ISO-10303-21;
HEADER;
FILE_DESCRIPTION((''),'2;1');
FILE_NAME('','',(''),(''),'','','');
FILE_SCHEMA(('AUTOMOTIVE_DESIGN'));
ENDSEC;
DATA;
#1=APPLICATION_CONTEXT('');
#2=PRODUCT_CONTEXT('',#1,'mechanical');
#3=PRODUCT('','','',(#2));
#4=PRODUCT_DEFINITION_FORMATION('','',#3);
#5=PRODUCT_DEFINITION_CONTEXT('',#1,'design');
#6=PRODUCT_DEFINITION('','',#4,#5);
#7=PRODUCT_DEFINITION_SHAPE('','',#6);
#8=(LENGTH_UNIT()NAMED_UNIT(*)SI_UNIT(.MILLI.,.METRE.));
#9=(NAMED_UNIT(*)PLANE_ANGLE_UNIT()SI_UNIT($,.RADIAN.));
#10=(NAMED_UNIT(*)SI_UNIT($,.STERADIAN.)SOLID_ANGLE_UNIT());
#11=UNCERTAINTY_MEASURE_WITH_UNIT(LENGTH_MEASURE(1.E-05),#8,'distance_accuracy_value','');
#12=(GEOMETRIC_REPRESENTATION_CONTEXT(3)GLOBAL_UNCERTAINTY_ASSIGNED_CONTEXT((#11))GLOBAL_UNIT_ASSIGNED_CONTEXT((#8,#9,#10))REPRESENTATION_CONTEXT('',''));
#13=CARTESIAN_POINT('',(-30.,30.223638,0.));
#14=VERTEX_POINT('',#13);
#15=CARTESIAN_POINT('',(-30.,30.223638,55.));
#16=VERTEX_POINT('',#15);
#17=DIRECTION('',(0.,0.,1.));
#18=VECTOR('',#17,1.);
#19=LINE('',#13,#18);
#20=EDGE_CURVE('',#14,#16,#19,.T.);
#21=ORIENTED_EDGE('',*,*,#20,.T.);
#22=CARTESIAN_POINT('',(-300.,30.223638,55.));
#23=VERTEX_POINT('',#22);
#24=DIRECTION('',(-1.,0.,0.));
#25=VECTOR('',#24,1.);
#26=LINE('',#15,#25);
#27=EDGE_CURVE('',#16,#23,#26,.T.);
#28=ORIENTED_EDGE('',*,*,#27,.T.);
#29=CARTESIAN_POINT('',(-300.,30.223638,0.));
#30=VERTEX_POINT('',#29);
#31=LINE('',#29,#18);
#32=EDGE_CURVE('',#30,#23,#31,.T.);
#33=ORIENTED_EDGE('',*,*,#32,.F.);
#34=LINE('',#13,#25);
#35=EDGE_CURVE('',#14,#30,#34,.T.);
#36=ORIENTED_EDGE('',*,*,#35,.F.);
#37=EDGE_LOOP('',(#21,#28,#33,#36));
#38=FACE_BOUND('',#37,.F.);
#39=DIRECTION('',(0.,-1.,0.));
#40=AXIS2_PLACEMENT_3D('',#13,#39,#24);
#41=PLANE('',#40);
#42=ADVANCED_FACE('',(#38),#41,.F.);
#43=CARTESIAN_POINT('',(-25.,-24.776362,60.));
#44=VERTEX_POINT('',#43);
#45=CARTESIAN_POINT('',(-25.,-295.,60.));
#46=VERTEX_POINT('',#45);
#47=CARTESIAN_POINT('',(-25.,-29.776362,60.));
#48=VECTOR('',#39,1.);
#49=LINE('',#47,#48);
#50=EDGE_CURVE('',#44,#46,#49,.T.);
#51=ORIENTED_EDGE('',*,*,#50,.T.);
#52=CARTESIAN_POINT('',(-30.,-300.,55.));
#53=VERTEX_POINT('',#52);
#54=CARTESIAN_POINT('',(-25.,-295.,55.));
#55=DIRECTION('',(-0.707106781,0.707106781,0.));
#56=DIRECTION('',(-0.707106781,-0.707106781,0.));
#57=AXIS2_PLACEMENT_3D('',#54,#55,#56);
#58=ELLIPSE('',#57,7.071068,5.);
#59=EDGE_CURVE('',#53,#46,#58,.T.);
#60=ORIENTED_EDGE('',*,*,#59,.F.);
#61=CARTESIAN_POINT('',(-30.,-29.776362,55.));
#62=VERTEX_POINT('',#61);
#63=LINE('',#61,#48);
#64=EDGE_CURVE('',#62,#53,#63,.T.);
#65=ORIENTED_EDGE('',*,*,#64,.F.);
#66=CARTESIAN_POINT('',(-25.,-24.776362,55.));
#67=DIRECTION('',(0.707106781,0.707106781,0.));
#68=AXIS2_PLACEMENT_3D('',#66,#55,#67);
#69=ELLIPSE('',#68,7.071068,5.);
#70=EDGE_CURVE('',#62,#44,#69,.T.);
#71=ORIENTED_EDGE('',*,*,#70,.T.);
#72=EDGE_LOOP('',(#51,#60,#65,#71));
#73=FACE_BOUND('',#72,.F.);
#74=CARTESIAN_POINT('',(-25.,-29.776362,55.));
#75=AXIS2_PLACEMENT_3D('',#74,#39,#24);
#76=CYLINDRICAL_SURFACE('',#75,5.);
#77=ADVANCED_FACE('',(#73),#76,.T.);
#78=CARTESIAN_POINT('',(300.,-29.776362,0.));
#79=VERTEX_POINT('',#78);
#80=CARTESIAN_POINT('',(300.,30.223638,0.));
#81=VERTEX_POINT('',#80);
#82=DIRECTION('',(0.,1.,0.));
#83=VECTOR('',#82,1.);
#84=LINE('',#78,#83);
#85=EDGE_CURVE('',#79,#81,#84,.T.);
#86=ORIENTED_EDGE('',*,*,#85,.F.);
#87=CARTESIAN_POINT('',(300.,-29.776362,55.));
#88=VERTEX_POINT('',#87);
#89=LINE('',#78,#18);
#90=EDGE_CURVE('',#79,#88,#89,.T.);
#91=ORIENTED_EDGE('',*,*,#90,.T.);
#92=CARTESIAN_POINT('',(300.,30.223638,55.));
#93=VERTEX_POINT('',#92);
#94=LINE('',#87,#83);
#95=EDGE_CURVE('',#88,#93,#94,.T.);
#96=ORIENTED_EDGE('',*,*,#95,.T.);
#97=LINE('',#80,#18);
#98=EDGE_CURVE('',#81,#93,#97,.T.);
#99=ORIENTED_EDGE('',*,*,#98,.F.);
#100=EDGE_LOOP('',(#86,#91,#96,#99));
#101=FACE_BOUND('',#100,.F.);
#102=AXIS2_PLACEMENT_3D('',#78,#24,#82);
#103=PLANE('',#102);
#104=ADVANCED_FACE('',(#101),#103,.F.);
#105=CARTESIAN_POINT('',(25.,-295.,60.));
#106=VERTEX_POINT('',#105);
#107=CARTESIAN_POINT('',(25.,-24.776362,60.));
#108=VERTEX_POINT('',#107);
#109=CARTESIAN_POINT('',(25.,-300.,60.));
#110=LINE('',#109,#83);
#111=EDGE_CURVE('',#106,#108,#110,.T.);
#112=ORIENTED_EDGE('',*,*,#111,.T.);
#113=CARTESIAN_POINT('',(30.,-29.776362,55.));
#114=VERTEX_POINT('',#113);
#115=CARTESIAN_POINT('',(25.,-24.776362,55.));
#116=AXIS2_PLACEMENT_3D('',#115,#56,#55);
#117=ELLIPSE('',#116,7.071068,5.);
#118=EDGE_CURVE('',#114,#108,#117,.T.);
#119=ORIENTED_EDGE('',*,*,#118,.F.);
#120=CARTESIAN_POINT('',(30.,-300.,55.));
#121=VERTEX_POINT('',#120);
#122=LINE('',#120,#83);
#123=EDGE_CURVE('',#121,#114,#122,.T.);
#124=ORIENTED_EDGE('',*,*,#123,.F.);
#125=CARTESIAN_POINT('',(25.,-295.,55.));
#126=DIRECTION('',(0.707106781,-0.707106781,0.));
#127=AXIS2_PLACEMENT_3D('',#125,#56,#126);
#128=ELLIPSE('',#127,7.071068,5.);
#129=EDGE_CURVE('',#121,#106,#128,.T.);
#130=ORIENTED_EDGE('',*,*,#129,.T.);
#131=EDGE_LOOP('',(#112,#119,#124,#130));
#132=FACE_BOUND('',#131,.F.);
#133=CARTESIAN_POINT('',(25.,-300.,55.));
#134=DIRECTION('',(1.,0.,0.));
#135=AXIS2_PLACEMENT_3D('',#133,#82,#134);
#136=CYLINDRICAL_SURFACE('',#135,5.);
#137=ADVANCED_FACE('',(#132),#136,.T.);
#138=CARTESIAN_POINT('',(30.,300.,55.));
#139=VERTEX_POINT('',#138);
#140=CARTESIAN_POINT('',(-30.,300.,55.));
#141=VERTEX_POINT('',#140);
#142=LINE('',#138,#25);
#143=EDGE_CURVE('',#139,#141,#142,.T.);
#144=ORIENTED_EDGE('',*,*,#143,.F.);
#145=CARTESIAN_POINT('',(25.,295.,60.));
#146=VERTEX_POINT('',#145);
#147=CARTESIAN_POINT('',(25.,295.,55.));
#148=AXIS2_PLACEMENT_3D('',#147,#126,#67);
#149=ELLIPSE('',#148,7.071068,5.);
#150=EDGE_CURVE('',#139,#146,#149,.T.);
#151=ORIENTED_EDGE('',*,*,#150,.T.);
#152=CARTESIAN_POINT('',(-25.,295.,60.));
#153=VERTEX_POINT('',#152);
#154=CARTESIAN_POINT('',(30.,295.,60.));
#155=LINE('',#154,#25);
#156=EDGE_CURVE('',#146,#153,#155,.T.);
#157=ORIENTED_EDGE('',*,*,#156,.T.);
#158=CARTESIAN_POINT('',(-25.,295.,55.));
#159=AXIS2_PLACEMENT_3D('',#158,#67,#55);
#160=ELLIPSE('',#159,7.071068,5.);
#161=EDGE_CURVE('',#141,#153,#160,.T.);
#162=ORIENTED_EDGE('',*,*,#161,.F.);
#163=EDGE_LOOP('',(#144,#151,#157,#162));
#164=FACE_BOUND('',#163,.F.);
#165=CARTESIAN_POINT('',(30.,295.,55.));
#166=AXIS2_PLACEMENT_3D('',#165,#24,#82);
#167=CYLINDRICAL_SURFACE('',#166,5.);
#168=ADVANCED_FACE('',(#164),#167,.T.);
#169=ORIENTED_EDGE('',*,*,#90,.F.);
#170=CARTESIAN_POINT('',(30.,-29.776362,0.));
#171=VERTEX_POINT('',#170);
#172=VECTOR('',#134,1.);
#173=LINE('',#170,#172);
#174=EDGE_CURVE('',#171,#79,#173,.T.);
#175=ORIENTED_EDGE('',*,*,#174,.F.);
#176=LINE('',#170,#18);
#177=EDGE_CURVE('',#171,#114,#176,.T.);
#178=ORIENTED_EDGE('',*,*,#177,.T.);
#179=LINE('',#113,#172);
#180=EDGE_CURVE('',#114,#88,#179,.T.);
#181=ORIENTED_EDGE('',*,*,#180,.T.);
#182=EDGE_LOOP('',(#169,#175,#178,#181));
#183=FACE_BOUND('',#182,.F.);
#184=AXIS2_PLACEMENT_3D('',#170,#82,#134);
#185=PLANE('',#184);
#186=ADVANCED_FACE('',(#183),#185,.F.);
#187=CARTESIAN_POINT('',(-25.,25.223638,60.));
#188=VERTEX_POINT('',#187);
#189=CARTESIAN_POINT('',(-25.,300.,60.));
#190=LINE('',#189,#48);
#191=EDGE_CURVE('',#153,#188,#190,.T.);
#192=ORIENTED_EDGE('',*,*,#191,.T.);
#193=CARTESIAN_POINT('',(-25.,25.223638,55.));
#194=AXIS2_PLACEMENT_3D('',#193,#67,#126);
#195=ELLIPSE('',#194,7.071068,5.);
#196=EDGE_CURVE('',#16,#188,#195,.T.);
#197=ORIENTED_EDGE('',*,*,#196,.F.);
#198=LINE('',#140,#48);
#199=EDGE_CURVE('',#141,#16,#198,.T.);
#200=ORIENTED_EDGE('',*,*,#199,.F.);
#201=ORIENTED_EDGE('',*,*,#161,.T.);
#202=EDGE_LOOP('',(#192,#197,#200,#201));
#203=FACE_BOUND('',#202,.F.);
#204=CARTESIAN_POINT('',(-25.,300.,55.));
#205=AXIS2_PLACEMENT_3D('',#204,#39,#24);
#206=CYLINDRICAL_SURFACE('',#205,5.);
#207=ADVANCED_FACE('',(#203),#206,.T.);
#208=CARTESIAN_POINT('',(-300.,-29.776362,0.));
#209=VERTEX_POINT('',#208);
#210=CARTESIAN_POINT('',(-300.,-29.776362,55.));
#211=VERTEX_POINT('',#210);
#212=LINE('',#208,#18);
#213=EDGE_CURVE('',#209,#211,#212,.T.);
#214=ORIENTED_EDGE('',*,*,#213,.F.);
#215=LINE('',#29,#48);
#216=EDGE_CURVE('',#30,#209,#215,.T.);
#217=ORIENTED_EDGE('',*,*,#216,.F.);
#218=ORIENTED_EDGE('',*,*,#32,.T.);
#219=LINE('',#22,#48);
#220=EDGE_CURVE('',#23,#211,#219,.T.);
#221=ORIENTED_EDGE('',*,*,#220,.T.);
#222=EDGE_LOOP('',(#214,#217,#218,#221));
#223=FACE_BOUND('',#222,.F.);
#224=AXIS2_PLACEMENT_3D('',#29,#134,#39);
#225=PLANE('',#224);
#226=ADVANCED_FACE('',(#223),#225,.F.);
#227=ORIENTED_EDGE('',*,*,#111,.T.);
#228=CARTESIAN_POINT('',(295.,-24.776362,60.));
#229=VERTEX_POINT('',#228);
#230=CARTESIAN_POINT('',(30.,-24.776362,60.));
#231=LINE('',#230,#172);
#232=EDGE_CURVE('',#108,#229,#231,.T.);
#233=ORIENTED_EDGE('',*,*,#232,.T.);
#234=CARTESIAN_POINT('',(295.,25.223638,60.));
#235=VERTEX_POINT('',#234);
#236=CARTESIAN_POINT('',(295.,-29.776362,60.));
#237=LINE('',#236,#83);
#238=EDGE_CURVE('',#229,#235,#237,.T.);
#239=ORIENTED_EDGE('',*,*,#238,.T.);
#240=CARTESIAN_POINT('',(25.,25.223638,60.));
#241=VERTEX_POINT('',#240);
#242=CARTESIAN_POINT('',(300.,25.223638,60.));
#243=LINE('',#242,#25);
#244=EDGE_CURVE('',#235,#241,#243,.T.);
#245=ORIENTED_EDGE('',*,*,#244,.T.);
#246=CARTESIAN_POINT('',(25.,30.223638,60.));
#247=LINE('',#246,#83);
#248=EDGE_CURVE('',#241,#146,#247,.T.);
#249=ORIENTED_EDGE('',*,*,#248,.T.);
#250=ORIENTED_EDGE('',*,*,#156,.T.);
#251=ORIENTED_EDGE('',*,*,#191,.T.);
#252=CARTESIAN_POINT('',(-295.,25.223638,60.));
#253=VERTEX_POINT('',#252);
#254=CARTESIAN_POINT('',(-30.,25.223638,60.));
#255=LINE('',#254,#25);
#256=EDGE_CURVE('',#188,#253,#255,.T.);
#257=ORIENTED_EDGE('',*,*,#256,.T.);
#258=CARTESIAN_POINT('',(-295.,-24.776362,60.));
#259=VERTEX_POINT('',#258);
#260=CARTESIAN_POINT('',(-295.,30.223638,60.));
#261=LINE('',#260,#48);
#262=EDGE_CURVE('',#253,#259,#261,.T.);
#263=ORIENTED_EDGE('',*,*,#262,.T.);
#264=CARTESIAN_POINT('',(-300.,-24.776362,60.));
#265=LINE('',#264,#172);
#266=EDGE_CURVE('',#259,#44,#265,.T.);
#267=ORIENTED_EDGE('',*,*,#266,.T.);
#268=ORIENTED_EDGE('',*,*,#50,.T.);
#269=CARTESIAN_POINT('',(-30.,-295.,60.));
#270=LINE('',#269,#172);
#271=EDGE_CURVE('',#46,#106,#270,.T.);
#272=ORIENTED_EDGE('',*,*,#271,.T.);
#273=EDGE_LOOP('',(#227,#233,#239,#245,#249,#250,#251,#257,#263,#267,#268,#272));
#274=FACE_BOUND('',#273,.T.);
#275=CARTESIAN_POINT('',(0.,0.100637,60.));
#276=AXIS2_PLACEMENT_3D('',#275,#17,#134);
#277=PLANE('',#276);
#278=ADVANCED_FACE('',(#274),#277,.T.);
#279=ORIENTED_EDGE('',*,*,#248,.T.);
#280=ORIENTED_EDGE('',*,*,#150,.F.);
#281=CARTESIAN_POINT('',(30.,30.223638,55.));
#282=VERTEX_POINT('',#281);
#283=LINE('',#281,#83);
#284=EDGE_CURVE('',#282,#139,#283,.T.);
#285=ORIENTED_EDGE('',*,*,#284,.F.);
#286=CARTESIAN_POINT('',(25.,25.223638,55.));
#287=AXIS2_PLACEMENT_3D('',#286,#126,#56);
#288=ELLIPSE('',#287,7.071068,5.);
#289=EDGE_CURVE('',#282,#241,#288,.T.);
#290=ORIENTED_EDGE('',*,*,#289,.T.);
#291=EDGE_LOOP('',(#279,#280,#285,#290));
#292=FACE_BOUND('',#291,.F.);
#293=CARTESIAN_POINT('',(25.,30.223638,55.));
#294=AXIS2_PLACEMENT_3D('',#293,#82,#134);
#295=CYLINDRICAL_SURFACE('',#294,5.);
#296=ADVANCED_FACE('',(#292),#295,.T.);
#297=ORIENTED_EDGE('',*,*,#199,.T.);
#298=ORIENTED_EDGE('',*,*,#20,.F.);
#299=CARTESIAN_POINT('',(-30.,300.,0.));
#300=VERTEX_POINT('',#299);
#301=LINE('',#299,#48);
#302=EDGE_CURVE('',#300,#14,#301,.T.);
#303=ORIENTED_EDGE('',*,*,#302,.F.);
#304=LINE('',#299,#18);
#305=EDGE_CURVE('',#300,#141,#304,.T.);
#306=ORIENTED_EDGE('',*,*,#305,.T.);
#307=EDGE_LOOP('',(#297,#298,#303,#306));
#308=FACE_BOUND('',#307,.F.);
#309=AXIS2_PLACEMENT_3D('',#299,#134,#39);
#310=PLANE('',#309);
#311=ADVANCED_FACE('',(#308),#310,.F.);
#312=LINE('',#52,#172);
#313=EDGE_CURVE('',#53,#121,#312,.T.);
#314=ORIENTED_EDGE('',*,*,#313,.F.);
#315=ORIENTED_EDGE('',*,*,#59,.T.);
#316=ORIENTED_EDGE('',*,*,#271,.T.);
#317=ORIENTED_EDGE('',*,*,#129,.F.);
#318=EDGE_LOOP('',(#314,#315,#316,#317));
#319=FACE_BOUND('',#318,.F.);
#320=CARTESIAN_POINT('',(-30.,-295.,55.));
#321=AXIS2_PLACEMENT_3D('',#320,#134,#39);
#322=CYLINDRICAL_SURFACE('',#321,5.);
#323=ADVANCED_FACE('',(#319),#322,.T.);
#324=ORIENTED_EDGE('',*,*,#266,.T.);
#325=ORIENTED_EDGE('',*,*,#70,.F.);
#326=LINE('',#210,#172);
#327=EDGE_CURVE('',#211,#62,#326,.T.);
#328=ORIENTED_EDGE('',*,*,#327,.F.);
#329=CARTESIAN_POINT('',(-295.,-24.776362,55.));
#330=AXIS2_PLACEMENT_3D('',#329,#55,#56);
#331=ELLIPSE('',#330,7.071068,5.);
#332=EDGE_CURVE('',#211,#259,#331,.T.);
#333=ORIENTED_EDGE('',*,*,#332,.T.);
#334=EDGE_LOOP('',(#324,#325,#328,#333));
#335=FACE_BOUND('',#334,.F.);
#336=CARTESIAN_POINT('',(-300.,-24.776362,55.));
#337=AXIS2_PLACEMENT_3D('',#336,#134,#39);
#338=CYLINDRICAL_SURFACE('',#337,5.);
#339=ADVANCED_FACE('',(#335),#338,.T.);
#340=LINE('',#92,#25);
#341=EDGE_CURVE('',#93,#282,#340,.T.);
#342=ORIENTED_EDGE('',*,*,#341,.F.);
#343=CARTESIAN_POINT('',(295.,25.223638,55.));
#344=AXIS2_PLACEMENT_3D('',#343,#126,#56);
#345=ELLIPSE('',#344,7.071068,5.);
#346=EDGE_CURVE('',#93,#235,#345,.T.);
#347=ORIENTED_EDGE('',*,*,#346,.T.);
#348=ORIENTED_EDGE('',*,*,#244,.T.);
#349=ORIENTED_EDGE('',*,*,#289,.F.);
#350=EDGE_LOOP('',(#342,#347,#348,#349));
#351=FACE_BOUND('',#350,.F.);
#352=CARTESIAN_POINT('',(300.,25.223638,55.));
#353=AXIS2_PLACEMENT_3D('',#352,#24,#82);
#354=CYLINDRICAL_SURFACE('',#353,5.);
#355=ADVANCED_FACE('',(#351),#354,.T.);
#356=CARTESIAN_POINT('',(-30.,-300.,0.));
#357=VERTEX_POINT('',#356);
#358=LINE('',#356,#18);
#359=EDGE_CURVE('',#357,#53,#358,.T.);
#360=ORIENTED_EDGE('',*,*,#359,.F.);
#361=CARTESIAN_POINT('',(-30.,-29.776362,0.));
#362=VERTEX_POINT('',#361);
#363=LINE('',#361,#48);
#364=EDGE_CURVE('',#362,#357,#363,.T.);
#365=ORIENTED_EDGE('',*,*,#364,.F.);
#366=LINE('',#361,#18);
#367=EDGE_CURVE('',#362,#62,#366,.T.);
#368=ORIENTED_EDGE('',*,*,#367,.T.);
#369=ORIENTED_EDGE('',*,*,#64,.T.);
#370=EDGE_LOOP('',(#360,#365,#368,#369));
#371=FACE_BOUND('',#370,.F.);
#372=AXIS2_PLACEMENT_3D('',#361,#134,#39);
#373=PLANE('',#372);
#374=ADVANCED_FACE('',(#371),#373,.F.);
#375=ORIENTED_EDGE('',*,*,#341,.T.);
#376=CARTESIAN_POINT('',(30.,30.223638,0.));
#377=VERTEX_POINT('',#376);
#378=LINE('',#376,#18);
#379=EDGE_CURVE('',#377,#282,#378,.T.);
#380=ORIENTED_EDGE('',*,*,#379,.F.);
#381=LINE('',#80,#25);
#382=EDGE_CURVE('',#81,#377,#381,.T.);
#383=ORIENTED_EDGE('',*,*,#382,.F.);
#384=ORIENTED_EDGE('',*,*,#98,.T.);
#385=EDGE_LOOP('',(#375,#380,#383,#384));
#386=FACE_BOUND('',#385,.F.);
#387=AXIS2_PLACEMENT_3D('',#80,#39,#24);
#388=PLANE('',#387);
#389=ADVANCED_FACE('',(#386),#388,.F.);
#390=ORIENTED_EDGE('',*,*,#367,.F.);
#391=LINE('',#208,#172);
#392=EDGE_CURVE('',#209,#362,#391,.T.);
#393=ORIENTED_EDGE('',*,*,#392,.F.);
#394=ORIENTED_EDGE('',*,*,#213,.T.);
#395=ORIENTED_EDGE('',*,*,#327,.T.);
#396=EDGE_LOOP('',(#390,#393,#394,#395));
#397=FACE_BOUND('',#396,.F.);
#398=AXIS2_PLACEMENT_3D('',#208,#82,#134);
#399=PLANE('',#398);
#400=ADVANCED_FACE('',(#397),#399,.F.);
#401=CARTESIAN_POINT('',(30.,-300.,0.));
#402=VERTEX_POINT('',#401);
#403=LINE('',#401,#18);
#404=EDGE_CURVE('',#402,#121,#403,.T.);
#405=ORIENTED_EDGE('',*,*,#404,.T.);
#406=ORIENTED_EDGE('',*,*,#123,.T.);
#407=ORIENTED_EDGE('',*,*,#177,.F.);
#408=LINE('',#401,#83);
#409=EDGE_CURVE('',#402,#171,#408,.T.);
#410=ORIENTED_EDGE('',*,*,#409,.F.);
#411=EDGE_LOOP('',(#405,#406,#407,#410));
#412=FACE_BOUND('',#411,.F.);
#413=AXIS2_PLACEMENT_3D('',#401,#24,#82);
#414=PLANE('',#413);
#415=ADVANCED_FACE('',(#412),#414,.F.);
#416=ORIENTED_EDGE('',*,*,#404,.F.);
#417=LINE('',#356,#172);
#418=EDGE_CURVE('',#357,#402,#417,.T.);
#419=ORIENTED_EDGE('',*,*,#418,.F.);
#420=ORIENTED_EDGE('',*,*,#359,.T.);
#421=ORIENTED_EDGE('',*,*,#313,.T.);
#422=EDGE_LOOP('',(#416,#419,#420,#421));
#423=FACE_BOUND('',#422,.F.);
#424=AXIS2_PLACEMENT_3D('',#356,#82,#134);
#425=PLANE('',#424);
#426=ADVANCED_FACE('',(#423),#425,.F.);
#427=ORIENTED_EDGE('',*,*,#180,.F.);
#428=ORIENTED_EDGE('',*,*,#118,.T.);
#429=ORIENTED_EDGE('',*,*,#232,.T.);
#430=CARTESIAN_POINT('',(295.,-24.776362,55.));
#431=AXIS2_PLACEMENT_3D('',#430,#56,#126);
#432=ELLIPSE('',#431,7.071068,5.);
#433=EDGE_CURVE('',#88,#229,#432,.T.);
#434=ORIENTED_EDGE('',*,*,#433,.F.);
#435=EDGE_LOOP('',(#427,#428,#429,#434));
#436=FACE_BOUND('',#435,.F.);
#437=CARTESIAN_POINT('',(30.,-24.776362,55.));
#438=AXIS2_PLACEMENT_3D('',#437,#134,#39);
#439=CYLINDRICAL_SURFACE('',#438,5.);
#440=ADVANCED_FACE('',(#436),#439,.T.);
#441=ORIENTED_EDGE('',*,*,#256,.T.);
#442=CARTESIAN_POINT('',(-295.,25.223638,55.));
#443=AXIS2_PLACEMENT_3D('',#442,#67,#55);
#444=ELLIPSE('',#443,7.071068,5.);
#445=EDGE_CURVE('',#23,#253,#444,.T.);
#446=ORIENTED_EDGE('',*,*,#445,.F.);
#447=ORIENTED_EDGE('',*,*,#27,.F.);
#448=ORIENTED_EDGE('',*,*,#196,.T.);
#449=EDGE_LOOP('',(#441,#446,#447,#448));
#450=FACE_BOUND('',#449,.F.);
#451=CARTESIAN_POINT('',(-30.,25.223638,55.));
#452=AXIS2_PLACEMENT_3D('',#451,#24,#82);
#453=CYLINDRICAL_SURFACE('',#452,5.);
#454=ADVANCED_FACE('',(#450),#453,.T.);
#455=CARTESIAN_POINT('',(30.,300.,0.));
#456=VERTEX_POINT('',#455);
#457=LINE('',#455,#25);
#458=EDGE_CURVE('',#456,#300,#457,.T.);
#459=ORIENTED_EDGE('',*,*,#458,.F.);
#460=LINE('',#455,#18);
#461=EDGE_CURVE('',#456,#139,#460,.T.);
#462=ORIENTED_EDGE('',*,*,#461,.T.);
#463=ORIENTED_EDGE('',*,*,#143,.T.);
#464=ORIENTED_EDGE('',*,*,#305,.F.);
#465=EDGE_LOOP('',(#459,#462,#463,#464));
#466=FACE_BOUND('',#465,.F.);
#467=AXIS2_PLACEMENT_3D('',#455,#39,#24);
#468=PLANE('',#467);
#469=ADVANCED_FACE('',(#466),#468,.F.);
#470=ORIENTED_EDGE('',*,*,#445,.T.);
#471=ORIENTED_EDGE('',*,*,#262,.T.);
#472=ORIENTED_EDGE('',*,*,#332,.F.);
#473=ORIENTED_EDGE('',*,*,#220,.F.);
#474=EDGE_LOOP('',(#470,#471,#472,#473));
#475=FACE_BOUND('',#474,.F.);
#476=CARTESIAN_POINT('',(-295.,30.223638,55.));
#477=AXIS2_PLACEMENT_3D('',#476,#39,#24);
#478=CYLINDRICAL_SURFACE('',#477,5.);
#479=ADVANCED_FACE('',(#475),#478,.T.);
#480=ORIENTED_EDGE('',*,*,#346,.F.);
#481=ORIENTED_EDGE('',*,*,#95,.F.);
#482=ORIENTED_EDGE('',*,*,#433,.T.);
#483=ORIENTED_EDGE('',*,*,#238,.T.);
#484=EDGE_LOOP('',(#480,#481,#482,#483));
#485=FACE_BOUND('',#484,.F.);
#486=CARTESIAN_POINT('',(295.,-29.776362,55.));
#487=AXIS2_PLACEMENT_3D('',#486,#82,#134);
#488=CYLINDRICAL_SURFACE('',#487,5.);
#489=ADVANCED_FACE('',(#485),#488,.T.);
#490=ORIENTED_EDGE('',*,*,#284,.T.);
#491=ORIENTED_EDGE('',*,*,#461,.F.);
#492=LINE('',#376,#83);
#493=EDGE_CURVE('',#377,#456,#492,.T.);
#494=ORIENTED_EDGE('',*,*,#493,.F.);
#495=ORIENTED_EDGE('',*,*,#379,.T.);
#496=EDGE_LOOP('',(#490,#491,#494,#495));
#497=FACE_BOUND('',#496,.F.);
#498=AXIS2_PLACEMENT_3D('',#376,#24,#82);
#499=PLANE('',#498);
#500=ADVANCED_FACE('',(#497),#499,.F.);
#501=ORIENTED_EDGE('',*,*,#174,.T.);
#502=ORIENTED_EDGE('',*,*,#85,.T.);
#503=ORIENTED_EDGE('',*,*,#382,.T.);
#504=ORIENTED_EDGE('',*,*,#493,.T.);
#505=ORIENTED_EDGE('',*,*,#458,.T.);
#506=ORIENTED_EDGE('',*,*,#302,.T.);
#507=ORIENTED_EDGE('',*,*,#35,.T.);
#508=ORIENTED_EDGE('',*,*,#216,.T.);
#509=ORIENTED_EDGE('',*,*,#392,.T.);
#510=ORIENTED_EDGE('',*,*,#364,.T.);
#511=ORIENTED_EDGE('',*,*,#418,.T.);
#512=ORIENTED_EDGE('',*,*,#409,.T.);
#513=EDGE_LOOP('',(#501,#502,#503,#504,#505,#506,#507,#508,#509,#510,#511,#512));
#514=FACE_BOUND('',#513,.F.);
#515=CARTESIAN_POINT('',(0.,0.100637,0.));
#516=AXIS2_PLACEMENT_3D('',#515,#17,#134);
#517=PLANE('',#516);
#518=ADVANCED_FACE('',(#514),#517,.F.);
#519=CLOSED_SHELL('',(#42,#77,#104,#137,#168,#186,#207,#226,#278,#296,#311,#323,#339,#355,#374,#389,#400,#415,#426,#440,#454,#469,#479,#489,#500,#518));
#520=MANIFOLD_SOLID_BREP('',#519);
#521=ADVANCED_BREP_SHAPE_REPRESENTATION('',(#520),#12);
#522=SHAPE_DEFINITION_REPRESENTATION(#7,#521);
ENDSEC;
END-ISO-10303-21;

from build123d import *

# Parameters (mm, degrees)
F1_DEPTH = 60
F2_R     = 5


with BuildPart() as f1:
    # F0 (on Top) → F1 (new body)
    with BuildSketch(Plane.XY):
        Polygon((-30, 30.223638), (-300, 30.223638), (-300, -29.776362), (-30, -29.776362), (-30, -300), (30, -300), (30, -29.776362), (300, -29.776362), (300, 30.223638), (30, 30.223638), (30, 300), (-30, 300), align=None)
    extrude(amount=F1_DEPTH)

    # F2
    f2_edges = [f1.edges().sort_by_distance(p)[0] for p in [
        (165, 30.223638, 60),
        (30, 165.111819, 60),
        (0, 300, 60),
        (-30, 165.111819, 60),
        (-165, 30.223638, 60),
        (-300, 0.223638, 60),
        (-165, -29.776362, 60),
        (-30, -164.888181, 60),
        (0, -300, 60),
        (30, -164.888181, 60),
        (165, -29.776362, 60),
        (300, 0.223638, 60),
    ]]
    fillet(f2_edges, radius=F2_R)


solid = f1.part
